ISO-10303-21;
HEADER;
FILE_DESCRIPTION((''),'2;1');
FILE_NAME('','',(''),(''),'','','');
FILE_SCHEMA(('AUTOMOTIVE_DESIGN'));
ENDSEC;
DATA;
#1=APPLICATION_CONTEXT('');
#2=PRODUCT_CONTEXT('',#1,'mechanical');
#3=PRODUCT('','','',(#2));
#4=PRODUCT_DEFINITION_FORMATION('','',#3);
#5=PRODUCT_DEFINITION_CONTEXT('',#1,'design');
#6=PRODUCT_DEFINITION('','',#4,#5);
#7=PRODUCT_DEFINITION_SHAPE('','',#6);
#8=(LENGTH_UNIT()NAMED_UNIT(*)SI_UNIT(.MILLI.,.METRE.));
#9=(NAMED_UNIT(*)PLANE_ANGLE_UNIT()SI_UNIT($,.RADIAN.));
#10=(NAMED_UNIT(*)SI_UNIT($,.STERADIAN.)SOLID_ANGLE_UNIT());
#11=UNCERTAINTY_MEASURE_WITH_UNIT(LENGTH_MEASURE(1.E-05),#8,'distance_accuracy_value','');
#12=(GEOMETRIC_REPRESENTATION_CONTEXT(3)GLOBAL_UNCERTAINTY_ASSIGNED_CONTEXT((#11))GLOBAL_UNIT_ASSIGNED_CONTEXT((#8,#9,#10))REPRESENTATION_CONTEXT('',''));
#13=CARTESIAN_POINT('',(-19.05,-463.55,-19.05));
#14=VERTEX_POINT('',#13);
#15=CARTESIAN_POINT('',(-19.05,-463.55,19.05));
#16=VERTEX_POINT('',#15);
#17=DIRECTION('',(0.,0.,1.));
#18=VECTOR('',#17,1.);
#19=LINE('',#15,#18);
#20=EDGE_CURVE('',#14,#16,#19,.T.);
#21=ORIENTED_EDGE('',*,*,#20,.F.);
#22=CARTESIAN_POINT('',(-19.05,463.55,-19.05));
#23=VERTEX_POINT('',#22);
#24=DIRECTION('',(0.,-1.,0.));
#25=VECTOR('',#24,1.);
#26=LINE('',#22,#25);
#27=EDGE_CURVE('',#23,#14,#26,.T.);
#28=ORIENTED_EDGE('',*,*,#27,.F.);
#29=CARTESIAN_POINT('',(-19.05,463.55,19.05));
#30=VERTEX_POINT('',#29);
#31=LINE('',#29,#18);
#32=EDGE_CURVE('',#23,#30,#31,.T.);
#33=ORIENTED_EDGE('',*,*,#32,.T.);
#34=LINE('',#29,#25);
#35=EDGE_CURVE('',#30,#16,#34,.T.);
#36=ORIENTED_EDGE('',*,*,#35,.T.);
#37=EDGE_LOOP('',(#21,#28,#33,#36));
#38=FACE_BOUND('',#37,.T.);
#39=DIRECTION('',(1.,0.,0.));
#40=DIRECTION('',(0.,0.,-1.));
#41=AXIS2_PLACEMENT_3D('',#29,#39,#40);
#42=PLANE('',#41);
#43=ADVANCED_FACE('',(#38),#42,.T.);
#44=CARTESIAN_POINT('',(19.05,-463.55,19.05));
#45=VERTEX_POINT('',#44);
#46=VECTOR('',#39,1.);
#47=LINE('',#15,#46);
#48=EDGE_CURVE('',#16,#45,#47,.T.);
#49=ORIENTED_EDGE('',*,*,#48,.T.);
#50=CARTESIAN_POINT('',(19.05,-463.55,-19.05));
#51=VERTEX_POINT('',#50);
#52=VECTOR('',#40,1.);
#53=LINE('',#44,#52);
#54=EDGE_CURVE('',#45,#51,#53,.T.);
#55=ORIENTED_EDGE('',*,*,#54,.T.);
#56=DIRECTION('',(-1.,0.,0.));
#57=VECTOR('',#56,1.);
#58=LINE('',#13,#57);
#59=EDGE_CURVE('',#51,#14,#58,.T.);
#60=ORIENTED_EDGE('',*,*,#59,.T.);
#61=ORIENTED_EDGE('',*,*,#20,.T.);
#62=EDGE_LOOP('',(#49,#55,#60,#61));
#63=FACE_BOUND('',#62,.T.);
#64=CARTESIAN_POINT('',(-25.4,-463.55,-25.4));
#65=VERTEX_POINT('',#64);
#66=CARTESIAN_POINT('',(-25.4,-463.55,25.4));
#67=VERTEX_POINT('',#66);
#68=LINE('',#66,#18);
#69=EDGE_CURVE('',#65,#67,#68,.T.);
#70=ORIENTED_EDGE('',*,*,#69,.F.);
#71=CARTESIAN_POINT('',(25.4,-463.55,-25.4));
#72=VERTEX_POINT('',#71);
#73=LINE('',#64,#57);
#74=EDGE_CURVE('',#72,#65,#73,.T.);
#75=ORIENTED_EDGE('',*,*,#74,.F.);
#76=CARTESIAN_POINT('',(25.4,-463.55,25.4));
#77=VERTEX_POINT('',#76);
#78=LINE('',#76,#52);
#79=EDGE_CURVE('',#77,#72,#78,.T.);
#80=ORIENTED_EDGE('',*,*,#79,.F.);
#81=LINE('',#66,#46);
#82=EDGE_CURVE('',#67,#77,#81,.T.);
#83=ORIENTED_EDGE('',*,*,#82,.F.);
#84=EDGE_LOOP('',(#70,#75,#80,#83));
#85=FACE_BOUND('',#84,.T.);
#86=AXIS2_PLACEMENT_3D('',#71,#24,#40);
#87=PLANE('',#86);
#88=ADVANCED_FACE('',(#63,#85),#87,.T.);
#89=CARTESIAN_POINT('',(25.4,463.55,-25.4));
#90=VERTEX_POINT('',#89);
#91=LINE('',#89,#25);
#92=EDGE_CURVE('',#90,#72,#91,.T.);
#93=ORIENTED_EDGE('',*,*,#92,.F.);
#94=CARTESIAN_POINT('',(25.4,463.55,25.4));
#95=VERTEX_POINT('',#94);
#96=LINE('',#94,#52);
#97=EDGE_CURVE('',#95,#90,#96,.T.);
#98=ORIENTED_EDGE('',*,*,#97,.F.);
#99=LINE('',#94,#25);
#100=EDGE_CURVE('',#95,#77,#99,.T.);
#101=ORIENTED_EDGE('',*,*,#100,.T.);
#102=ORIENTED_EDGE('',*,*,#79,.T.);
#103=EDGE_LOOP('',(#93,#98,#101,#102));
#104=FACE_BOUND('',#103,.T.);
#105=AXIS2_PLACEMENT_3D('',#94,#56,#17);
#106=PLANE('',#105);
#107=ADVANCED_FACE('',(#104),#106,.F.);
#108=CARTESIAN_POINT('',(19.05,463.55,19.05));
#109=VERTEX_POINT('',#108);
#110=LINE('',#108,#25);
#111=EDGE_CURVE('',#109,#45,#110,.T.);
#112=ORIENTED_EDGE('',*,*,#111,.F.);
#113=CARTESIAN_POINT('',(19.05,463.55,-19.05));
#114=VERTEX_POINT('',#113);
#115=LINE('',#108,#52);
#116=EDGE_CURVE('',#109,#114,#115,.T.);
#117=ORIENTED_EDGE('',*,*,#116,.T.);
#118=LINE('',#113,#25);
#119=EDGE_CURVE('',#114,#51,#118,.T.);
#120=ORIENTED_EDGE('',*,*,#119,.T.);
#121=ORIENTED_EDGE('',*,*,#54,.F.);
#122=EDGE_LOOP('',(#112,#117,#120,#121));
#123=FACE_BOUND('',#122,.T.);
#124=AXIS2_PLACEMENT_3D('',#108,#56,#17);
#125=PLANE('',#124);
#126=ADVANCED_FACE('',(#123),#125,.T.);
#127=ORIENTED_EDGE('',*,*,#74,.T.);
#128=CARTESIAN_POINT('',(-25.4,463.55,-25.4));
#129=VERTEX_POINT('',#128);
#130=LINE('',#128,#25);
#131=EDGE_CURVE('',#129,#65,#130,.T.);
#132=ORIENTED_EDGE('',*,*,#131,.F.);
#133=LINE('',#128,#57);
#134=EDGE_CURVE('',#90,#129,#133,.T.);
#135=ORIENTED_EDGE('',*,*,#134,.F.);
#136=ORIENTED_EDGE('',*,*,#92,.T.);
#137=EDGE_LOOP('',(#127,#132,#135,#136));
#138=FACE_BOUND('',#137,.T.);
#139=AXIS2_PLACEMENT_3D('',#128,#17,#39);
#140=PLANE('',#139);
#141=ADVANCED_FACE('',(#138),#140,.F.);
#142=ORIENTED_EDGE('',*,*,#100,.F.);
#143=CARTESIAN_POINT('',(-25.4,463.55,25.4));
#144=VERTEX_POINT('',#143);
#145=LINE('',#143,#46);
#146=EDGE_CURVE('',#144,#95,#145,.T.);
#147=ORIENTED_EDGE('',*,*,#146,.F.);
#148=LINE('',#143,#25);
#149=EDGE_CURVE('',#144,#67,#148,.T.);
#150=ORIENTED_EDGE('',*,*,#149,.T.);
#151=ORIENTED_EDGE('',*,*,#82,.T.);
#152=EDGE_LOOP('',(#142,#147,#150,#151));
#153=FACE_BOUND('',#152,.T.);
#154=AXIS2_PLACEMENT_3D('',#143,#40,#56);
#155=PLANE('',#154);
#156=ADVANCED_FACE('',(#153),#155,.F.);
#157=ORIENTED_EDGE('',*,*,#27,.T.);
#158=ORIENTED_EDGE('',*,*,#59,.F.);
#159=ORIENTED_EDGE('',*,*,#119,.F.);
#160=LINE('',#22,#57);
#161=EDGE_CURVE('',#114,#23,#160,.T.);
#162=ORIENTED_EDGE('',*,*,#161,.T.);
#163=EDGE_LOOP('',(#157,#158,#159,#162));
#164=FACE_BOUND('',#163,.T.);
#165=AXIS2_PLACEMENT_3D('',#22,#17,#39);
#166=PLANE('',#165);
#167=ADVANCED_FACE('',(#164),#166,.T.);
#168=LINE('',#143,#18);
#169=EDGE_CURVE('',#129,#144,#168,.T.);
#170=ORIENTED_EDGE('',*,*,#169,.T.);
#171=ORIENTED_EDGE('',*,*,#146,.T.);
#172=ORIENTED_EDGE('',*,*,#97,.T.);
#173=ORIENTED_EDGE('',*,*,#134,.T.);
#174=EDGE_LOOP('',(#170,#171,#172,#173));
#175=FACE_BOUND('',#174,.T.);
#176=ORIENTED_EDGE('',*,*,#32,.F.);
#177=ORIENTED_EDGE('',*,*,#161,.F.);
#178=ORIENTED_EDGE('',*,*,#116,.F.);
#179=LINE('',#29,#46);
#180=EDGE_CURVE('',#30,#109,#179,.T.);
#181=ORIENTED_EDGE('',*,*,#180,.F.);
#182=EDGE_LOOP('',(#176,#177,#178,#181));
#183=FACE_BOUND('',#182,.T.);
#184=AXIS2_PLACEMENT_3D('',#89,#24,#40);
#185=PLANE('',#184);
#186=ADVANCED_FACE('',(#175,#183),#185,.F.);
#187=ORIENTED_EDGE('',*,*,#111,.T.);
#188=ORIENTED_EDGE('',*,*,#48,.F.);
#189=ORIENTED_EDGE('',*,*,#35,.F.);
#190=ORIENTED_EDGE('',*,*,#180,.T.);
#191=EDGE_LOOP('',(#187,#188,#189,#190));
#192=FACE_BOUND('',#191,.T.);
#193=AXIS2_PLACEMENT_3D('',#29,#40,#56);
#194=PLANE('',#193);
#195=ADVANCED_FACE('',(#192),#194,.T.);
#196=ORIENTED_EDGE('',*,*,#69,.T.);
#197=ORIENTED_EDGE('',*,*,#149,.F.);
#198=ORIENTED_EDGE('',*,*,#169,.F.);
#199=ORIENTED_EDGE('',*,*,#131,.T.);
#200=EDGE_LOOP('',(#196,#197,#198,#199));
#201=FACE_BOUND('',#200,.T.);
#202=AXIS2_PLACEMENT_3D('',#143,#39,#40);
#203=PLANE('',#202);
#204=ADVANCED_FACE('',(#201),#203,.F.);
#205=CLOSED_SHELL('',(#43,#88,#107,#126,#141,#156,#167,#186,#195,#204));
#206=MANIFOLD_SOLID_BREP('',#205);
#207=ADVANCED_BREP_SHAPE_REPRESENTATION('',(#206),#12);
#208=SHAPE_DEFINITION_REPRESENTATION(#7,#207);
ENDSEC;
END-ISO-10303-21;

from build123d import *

# Parameters (mm, degrees)
SKETCH1_W           = 50.8
SKETCH1_H           = 50.8
SKETCH1_W_2         = 38.1
SKETCH1_H_2         = 38.1
BOSS_EXTRUDE1_DEPTH = 463.55


with BuildPart() as part:
    # Sketch1 → Boss-Extrude1 (new body, symmetric)
    with BuildSketch(Plane(origin=(0, 0, 0), x_dir=(1, 0, 0), z_dir=(0, 1, 0))):
        Rectangle(SKETCH1_W, SKETCH1_H)
        Rectangle(SKETCH1_W_2, SKETCH1_H_2, mode=Mode.SUBTRACT)
    extrude(amount=BOSS_EXTRUDE1_DEPTH, both=True)


solid = part.part
